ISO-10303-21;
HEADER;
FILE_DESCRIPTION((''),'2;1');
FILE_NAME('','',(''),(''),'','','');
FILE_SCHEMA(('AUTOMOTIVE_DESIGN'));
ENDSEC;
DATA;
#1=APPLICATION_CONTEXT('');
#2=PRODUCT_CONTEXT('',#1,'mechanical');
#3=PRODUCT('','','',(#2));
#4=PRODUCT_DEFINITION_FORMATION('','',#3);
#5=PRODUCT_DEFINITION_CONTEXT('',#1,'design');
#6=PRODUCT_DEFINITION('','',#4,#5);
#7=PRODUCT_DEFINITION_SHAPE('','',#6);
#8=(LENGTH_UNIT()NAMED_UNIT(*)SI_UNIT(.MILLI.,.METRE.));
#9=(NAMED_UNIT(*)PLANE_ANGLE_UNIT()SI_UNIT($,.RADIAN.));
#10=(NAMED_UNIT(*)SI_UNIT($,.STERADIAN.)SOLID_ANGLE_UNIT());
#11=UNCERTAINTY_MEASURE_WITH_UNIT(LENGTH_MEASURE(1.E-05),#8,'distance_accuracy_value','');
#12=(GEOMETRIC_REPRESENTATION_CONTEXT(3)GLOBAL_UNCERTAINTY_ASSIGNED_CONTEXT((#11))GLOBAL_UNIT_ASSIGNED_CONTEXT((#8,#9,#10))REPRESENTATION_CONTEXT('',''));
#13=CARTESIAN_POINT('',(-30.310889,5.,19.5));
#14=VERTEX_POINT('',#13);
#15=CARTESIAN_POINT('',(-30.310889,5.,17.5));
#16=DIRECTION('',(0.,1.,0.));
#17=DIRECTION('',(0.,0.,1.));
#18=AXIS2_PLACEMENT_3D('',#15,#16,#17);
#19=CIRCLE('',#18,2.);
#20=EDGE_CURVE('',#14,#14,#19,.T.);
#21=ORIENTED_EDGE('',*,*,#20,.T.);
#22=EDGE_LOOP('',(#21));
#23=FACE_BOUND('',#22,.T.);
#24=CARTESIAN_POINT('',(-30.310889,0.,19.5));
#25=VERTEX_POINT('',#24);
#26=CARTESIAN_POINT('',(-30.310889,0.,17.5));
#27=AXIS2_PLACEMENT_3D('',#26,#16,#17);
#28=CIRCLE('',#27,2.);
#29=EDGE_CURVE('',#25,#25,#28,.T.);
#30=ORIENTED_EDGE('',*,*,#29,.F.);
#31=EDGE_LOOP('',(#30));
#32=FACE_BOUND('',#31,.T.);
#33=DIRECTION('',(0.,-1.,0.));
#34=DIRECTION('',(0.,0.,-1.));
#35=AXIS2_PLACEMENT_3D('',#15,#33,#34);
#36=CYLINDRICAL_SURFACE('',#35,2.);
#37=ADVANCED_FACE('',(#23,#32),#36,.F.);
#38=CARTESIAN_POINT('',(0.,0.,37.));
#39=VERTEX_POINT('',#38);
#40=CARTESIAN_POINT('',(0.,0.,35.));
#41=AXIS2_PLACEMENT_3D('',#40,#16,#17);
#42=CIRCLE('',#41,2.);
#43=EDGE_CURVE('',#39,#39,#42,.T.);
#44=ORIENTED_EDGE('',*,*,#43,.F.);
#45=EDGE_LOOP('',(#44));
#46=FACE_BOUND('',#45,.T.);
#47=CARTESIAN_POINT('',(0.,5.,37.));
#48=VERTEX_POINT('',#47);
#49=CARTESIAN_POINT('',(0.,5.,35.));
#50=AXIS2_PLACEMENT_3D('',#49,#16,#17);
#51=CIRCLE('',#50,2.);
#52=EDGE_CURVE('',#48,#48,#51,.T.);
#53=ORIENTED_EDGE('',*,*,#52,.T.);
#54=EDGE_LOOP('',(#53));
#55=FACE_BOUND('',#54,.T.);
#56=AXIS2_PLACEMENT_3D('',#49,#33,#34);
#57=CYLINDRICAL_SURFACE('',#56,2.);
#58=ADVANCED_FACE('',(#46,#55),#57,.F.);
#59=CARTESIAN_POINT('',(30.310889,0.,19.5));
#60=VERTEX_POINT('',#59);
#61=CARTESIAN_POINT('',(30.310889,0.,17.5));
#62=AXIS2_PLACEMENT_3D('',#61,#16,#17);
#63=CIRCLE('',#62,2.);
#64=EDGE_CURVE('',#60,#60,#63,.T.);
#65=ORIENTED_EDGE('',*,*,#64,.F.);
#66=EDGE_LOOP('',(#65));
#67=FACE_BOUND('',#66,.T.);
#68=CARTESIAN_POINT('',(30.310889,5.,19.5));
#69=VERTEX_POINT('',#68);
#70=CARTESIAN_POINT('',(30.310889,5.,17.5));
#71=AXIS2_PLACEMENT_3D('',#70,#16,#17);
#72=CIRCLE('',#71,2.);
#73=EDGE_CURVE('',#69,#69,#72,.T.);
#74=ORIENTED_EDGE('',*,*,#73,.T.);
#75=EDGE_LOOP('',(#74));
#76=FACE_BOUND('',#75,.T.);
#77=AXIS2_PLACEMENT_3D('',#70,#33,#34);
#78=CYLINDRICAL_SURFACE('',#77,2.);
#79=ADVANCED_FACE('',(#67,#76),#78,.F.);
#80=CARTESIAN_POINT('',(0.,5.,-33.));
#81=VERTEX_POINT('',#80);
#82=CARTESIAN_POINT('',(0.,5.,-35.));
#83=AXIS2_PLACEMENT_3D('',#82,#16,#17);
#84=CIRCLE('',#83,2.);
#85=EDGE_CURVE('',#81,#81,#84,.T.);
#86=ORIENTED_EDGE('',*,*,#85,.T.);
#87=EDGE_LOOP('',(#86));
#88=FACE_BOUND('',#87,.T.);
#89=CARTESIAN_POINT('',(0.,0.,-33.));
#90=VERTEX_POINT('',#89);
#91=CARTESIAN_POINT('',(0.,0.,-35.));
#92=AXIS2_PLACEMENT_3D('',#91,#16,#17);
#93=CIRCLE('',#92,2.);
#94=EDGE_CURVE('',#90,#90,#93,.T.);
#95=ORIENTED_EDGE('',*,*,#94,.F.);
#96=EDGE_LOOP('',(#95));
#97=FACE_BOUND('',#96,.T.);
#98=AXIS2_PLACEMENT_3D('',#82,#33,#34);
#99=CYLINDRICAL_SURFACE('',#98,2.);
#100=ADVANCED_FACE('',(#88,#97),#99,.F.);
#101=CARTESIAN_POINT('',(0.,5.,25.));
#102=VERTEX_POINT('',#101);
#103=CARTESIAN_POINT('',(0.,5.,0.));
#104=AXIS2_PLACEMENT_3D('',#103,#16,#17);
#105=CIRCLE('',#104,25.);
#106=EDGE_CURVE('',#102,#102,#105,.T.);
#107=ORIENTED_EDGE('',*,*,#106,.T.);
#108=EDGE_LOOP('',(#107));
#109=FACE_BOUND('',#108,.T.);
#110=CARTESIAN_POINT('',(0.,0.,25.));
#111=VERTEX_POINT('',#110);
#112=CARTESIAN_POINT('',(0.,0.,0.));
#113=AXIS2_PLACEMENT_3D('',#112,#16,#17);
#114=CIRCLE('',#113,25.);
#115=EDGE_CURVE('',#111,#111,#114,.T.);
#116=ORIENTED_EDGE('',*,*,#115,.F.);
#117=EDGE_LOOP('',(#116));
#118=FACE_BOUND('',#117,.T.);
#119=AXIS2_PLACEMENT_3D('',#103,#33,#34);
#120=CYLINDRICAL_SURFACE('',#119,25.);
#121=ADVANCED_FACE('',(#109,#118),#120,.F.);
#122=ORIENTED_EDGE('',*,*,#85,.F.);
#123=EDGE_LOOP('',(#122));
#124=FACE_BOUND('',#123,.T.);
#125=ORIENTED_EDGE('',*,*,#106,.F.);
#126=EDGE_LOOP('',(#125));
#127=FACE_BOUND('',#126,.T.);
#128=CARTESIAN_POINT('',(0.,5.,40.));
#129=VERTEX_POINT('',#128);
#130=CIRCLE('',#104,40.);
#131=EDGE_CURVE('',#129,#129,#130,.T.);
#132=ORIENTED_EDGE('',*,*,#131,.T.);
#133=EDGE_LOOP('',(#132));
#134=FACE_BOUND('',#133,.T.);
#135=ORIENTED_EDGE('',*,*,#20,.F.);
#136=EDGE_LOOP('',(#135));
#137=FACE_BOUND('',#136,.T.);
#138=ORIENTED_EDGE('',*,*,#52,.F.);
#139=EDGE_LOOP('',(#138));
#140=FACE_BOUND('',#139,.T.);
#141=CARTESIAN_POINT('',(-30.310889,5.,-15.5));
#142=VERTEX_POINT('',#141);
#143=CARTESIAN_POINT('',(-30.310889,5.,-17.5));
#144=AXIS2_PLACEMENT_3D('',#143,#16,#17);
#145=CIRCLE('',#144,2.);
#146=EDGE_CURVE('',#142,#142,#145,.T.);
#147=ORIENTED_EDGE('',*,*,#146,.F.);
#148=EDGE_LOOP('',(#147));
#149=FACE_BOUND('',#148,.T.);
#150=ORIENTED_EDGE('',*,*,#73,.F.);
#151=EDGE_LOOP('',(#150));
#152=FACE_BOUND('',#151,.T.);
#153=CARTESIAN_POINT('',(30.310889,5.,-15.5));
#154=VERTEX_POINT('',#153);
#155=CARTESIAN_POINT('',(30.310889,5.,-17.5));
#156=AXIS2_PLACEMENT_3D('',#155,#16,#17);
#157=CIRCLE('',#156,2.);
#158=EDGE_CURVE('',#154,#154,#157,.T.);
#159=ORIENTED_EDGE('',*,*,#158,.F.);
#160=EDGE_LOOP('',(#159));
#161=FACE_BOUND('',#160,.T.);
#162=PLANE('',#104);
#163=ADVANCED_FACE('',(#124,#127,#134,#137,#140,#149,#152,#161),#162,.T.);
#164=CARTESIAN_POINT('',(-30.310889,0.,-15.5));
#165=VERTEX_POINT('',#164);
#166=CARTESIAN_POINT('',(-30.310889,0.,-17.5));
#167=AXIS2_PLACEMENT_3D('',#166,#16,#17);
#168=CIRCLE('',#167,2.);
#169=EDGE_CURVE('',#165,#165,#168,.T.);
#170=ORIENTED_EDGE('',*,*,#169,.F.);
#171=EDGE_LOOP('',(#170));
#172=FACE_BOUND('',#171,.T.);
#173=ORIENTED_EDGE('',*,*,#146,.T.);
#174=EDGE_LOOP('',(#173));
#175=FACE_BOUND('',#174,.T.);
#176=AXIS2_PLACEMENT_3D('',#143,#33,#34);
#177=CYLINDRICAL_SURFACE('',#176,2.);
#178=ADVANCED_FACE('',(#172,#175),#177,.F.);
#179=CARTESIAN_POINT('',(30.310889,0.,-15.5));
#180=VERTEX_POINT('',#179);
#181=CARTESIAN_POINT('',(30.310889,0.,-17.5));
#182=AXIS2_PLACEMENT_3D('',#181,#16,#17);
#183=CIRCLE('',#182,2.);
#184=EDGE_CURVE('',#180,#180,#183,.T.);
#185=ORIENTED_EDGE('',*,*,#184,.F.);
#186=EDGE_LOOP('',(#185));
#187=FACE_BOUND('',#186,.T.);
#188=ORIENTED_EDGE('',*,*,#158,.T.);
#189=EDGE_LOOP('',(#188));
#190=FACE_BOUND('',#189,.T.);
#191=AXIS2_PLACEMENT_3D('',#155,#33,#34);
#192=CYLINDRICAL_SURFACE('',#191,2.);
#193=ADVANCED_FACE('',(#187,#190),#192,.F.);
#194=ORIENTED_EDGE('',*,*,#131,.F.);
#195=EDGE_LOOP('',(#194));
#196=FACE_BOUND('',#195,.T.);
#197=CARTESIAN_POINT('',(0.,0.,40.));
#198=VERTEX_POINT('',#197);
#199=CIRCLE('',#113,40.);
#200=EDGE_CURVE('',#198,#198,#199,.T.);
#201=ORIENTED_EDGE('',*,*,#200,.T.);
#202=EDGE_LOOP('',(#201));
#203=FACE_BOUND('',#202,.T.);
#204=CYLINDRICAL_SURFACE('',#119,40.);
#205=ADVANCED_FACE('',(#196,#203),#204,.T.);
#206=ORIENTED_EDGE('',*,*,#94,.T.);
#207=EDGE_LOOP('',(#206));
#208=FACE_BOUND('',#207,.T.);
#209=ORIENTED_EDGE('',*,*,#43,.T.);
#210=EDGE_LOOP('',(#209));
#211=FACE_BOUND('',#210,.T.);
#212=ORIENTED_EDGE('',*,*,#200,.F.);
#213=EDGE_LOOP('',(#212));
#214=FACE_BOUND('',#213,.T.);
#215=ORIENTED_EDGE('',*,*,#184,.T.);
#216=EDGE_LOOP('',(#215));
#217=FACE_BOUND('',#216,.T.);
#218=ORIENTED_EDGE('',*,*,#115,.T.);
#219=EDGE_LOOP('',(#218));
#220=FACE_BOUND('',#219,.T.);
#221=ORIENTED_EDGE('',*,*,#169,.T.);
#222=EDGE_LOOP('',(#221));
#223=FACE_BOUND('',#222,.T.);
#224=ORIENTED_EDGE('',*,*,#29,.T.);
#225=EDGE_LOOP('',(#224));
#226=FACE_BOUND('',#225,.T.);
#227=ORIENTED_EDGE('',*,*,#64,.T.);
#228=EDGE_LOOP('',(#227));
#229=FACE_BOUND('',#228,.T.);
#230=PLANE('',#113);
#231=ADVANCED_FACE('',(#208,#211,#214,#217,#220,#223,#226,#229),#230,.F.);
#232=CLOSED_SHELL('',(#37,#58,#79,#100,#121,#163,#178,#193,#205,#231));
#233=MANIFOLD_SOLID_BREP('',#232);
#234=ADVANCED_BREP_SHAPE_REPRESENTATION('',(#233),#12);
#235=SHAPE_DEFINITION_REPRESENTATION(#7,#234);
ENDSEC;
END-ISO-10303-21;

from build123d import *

# Parameters (mm, degrees)
SKETCH_1_R      = 40
SKETCH_1_R_2    = 25
SKETCH_1_R_3    = 2
EXTRUDE_1_DEPTH = 5


with BuildPart() as part:
    # 草图1 → 凸台-拉伸1 (new body)
    with BuildSketch(Plane(origin=(0, 0, 0), x_dir=(1, 0, 0), z_dir=(0, 1, 0))):
        with Locations(Location((0, 0, 0), (0, 0, 270))):
            Circle(SKETCH_1_R)
        with Locations(Location((0, 0, 0), (0, 0, 270))):
            Circle(SKETCH_1_R_2, mode=Mode.SUBTRACT)
        with Locations(Location((0, 35, 0), (0, 0, 270))):
            Circle(SKETCH_1_R_3, mode=Mode.SUBTRACT)
        with Locations(Location((30.310889132, 17.5, 0), (0, 0, 270))):
            Circle(SKETCH_1_R_3, mode=Mode.SUBTRACT)
        with Locations(Location((30.310889132, -17.5, 0), (0, 0, 270))):
            Circle(SKETCH_1_R_3, mode=Mode.SUBTRACT)
        with Locations(Location((0, -35, 0), (0, 0, 270))):
            Circle(SKETCH_1_R_3, mode=Mode.SUBTRACT)
        with Locations(Location((-30.310889132, -17.5, 0), (0, 0, 270))):
            Circle(SKETCH_1_R_3, mode=Mode.SUBTRACT)
        with Locations(Location((-30.310889132, 17.5, 0), (0, 0, 270))):
            Circle(SKETCH_1_R_3, mode=Mode.SUBTRACT)
    extrude(amount=EXTRUDE_1_DEPTH)


solid = part.part
